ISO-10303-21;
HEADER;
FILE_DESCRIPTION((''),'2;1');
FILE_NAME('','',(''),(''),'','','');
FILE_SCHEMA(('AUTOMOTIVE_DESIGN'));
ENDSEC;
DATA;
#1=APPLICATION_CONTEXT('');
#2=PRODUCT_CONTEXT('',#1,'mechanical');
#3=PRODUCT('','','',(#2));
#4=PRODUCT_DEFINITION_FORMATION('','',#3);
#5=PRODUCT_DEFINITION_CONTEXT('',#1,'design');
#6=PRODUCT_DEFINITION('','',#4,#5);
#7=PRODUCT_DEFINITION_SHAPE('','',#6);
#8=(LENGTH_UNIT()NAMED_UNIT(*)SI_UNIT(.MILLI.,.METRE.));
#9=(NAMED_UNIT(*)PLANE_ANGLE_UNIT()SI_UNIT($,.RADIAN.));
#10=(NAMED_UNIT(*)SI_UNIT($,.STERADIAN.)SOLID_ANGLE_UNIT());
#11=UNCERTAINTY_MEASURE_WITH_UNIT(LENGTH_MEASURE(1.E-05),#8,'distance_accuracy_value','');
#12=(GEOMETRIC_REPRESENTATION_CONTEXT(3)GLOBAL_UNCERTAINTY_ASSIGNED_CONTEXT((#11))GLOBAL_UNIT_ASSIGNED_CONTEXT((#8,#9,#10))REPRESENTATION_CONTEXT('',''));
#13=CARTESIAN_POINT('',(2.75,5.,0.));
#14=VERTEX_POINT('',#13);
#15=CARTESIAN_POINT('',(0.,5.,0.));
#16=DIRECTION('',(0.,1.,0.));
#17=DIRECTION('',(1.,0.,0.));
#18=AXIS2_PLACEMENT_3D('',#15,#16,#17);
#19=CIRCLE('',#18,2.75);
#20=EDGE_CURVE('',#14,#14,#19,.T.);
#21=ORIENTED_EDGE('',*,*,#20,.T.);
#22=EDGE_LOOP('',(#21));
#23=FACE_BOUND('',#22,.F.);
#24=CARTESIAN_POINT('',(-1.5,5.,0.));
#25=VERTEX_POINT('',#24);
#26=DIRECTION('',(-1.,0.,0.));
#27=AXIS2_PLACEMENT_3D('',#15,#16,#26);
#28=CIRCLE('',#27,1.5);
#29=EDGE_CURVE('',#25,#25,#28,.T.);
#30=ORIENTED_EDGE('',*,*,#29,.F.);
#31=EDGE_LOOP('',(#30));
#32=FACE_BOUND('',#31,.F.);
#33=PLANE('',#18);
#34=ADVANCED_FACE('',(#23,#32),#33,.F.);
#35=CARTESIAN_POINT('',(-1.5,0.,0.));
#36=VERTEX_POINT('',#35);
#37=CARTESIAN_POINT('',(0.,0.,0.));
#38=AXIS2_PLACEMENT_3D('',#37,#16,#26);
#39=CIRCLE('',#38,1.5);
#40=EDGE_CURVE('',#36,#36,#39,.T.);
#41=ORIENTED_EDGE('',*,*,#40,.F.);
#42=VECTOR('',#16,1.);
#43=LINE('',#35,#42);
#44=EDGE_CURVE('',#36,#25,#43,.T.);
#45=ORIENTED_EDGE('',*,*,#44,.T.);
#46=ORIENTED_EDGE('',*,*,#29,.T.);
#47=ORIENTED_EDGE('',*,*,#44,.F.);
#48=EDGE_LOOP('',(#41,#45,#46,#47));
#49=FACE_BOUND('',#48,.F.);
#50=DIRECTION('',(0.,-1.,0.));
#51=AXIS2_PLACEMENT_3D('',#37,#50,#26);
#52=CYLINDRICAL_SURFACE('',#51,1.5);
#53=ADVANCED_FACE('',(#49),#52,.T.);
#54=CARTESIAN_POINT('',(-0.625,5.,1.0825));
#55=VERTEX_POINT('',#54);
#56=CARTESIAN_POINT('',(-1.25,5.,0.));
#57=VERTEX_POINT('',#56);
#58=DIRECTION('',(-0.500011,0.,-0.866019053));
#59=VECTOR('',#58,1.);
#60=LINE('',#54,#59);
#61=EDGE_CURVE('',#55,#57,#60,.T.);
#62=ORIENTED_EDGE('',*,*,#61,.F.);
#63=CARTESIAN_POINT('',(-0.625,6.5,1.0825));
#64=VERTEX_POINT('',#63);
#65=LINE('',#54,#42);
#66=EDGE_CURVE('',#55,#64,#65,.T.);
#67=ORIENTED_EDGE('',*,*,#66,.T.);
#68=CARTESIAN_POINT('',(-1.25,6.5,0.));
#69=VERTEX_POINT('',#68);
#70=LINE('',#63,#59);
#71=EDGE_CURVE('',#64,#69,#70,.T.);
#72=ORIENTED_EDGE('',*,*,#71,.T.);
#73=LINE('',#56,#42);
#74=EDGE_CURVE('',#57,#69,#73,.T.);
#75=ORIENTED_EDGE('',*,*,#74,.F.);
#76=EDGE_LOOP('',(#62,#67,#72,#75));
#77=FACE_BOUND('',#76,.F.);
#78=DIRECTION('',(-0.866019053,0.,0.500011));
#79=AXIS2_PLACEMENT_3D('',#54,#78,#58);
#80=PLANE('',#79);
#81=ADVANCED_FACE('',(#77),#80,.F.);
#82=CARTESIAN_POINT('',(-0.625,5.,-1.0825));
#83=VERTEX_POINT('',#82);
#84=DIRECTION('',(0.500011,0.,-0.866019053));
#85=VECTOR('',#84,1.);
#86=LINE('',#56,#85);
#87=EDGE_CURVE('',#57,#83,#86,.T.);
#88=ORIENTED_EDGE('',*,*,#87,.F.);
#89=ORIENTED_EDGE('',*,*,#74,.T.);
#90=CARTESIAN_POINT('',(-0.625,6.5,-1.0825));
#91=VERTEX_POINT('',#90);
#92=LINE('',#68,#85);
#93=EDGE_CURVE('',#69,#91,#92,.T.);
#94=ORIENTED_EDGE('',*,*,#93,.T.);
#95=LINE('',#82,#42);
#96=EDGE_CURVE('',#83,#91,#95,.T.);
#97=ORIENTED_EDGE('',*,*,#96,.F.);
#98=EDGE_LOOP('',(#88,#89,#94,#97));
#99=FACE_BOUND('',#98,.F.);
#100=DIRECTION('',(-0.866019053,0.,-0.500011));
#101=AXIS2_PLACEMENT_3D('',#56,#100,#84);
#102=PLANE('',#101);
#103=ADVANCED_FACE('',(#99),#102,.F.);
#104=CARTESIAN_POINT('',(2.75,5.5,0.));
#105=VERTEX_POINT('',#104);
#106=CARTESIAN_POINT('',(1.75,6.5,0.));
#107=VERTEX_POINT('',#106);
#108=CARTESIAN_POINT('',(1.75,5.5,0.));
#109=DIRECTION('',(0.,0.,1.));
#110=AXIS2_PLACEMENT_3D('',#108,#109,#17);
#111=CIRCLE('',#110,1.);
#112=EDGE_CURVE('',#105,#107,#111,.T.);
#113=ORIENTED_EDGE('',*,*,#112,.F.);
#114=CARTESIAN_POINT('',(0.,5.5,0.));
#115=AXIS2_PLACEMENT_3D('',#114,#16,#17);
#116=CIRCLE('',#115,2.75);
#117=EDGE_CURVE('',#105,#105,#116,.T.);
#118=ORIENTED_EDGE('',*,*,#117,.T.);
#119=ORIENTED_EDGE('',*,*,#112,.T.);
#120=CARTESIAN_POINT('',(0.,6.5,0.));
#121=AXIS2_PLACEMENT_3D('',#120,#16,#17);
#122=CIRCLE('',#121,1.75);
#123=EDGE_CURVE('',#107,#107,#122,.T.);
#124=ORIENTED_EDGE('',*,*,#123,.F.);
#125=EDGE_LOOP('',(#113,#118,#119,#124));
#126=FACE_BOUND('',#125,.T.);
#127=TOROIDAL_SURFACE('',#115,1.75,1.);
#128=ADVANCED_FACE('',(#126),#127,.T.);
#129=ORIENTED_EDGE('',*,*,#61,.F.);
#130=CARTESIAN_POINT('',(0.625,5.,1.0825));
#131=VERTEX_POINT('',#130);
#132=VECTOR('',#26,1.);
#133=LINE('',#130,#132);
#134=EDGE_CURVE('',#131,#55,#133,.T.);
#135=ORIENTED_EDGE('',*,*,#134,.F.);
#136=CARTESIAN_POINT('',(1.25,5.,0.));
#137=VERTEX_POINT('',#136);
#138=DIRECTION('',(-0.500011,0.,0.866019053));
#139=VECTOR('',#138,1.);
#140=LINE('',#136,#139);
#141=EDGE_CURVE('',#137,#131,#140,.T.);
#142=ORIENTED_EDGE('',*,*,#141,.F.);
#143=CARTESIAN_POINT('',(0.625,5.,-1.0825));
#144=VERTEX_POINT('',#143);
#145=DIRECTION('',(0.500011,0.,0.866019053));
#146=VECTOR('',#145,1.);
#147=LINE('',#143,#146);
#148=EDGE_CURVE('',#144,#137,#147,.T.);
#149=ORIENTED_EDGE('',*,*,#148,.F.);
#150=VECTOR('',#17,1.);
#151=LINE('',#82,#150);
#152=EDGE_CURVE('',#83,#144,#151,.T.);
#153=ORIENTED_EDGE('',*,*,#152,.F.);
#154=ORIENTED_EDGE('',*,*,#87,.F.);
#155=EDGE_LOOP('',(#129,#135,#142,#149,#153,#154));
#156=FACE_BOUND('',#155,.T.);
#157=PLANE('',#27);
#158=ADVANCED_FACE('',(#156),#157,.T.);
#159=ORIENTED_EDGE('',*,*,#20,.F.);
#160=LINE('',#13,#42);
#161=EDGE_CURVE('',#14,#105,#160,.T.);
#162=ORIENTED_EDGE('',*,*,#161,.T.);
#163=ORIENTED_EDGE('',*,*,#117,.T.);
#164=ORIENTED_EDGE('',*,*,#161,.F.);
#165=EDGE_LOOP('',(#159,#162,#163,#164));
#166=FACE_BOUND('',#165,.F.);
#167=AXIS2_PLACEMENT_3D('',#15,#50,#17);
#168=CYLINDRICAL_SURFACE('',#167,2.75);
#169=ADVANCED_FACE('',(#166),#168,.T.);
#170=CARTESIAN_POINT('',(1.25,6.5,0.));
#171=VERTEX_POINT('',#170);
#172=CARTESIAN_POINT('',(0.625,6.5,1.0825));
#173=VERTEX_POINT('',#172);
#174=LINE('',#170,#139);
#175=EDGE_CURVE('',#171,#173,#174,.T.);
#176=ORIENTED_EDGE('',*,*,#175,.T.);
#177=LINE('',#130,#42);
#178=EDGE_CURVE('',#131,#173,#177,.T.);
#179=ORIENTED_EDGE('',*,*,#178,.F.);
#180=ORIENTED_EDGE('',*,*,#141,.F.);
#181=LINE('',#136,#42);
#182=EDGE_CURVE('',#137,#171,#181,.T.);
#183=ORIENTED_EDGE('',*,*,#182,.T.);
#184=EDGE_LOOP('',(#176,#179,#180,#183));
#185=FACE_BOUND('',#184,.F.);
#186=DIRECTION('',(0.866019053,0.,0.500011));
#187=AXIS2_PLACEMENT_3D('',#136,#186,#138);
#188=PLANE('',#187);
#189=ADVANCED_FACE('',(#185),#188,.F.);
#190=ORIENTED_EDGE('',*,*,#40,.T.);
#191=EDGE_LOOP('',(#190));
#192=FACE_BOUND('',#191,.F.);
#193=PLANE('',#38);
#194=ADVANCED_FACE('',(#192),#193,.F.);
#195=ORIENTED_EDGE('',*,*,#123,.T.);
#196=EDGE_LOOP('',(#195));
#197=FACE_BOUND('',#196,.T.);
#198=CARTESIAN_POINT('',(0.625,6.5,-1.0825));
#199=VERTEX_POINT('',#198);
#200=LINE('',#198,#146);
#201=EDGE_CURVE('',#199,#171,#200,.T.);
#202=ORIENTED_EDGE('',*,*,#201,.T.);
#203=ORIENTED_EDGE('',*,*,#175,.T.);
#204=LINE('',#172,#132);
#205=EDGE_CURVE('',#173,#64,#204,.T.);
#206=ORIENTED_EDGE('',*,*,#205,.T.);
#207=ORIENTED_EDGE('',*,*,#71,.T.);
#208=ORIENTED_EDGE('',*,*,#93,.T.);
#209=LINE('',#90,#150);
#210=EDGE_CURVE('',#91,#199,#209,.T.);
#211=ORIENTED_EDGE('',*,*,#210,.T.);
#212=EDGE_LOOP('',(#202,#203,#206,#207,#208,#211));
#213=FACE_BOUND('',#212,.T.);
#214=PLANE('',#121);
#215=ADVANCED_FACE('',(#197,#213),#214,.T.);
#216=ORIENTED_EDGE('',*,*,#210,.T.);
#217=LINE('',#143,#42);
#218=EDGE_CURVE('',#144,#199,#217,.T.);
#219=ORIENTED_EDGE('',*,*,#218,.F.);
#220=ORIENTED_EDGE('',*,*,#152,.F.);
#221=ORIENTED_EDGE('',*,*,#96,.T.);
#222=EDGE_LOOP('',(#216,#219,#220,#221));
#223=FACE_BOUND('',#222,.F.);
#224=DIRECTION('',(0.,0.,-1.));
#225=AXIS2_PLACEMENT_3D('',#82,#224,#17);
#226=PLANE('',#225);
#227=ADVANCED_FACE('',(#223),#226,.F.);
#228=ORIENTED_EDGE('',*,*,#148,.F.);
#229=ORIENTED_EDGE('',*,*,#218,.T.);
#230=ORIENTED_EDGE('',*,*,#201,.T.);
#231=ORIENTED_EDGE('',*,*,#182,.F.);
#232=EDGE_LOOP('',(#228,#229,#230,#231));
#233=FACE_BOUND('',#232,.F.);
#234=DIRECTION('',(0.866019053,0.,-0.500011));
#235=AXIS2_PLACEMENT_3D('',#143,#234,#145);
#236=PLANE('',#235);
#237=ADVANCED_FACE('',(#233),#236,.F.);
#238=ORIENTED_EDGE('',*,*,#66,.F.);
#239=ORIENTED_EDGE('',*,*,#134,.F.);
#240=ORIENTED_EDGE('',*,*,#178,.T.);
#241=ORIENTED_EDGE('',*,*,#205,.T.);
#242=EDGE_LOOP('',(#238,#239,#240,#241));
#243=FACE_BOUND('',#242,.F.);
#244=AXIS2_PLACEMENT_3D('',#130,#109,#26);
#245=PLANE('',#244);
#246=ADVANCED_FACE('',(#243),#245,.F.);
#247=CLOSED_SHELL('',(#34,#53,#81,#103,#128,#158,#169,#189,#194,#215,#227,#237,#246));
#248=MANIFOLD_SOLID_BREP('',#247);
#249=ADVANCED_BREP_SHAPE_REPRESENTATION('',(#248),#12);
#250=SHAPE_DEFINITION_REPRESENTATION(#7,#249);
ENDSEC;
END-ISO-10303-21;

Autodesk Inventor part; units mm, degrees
ref_plane "YZ Plane" through (0, 0, 0) normal (1, 0, 0) x (0, 1, 0)
ref_plane "XZ Plane" through (0, 0, 0) normal (0, 1, 0) x (-1, 0, 0)
ref_plane "XY Plane" through (0, 0, 0) normal (0, 0, 1) x (1, 0, 0)
sketch "Sketch1" plane through (0, 0, 0) normal (0, 1, 0) x (-1, 0, 0)
  circle A0 centre (0, 0) radius 1.5
  dimension "d0" = 3
extrude "Extrusion1" add sketch "Sketch1" along normal blind 5
sketch "Sketch2" plane through (0, 5, 0) normal (0, 1, 0) x (1, 0, 0)
  circle A0 centre (0, 0) radius 1.25 construction
  line L0 (-1.25, 0) -> (-0.625, 1.0825)
  line L1 (-0.625, 1.0825) -> (0.625, 1.0825)
  line L2 (0.625, 1.0825) -> (1.25, 0)
  line L3 (1.25, 0) -> (0.625, -1.0825)
  line L4 (0.625, -1.0825) -> (-0.625, -1.0825)
  line L5 (-0.625, -1.0825) -> (-1.25, 0)
  circle A1 centre (0, 0) radius 2.75
  dimension "d3" = 2.5
  dimension "d4" = 5.5
extrude "Extrusion2" add sketch "Sketch2" along normal blind 1.5
fillet "Fillet1" radius 1 1 edges at (-2.75, 6.5, 0)
thread "Thread1" size "M3x0.5" class "6g" standard "ANSI Metric M Profile" full length
properties part number "4mmScrew"
